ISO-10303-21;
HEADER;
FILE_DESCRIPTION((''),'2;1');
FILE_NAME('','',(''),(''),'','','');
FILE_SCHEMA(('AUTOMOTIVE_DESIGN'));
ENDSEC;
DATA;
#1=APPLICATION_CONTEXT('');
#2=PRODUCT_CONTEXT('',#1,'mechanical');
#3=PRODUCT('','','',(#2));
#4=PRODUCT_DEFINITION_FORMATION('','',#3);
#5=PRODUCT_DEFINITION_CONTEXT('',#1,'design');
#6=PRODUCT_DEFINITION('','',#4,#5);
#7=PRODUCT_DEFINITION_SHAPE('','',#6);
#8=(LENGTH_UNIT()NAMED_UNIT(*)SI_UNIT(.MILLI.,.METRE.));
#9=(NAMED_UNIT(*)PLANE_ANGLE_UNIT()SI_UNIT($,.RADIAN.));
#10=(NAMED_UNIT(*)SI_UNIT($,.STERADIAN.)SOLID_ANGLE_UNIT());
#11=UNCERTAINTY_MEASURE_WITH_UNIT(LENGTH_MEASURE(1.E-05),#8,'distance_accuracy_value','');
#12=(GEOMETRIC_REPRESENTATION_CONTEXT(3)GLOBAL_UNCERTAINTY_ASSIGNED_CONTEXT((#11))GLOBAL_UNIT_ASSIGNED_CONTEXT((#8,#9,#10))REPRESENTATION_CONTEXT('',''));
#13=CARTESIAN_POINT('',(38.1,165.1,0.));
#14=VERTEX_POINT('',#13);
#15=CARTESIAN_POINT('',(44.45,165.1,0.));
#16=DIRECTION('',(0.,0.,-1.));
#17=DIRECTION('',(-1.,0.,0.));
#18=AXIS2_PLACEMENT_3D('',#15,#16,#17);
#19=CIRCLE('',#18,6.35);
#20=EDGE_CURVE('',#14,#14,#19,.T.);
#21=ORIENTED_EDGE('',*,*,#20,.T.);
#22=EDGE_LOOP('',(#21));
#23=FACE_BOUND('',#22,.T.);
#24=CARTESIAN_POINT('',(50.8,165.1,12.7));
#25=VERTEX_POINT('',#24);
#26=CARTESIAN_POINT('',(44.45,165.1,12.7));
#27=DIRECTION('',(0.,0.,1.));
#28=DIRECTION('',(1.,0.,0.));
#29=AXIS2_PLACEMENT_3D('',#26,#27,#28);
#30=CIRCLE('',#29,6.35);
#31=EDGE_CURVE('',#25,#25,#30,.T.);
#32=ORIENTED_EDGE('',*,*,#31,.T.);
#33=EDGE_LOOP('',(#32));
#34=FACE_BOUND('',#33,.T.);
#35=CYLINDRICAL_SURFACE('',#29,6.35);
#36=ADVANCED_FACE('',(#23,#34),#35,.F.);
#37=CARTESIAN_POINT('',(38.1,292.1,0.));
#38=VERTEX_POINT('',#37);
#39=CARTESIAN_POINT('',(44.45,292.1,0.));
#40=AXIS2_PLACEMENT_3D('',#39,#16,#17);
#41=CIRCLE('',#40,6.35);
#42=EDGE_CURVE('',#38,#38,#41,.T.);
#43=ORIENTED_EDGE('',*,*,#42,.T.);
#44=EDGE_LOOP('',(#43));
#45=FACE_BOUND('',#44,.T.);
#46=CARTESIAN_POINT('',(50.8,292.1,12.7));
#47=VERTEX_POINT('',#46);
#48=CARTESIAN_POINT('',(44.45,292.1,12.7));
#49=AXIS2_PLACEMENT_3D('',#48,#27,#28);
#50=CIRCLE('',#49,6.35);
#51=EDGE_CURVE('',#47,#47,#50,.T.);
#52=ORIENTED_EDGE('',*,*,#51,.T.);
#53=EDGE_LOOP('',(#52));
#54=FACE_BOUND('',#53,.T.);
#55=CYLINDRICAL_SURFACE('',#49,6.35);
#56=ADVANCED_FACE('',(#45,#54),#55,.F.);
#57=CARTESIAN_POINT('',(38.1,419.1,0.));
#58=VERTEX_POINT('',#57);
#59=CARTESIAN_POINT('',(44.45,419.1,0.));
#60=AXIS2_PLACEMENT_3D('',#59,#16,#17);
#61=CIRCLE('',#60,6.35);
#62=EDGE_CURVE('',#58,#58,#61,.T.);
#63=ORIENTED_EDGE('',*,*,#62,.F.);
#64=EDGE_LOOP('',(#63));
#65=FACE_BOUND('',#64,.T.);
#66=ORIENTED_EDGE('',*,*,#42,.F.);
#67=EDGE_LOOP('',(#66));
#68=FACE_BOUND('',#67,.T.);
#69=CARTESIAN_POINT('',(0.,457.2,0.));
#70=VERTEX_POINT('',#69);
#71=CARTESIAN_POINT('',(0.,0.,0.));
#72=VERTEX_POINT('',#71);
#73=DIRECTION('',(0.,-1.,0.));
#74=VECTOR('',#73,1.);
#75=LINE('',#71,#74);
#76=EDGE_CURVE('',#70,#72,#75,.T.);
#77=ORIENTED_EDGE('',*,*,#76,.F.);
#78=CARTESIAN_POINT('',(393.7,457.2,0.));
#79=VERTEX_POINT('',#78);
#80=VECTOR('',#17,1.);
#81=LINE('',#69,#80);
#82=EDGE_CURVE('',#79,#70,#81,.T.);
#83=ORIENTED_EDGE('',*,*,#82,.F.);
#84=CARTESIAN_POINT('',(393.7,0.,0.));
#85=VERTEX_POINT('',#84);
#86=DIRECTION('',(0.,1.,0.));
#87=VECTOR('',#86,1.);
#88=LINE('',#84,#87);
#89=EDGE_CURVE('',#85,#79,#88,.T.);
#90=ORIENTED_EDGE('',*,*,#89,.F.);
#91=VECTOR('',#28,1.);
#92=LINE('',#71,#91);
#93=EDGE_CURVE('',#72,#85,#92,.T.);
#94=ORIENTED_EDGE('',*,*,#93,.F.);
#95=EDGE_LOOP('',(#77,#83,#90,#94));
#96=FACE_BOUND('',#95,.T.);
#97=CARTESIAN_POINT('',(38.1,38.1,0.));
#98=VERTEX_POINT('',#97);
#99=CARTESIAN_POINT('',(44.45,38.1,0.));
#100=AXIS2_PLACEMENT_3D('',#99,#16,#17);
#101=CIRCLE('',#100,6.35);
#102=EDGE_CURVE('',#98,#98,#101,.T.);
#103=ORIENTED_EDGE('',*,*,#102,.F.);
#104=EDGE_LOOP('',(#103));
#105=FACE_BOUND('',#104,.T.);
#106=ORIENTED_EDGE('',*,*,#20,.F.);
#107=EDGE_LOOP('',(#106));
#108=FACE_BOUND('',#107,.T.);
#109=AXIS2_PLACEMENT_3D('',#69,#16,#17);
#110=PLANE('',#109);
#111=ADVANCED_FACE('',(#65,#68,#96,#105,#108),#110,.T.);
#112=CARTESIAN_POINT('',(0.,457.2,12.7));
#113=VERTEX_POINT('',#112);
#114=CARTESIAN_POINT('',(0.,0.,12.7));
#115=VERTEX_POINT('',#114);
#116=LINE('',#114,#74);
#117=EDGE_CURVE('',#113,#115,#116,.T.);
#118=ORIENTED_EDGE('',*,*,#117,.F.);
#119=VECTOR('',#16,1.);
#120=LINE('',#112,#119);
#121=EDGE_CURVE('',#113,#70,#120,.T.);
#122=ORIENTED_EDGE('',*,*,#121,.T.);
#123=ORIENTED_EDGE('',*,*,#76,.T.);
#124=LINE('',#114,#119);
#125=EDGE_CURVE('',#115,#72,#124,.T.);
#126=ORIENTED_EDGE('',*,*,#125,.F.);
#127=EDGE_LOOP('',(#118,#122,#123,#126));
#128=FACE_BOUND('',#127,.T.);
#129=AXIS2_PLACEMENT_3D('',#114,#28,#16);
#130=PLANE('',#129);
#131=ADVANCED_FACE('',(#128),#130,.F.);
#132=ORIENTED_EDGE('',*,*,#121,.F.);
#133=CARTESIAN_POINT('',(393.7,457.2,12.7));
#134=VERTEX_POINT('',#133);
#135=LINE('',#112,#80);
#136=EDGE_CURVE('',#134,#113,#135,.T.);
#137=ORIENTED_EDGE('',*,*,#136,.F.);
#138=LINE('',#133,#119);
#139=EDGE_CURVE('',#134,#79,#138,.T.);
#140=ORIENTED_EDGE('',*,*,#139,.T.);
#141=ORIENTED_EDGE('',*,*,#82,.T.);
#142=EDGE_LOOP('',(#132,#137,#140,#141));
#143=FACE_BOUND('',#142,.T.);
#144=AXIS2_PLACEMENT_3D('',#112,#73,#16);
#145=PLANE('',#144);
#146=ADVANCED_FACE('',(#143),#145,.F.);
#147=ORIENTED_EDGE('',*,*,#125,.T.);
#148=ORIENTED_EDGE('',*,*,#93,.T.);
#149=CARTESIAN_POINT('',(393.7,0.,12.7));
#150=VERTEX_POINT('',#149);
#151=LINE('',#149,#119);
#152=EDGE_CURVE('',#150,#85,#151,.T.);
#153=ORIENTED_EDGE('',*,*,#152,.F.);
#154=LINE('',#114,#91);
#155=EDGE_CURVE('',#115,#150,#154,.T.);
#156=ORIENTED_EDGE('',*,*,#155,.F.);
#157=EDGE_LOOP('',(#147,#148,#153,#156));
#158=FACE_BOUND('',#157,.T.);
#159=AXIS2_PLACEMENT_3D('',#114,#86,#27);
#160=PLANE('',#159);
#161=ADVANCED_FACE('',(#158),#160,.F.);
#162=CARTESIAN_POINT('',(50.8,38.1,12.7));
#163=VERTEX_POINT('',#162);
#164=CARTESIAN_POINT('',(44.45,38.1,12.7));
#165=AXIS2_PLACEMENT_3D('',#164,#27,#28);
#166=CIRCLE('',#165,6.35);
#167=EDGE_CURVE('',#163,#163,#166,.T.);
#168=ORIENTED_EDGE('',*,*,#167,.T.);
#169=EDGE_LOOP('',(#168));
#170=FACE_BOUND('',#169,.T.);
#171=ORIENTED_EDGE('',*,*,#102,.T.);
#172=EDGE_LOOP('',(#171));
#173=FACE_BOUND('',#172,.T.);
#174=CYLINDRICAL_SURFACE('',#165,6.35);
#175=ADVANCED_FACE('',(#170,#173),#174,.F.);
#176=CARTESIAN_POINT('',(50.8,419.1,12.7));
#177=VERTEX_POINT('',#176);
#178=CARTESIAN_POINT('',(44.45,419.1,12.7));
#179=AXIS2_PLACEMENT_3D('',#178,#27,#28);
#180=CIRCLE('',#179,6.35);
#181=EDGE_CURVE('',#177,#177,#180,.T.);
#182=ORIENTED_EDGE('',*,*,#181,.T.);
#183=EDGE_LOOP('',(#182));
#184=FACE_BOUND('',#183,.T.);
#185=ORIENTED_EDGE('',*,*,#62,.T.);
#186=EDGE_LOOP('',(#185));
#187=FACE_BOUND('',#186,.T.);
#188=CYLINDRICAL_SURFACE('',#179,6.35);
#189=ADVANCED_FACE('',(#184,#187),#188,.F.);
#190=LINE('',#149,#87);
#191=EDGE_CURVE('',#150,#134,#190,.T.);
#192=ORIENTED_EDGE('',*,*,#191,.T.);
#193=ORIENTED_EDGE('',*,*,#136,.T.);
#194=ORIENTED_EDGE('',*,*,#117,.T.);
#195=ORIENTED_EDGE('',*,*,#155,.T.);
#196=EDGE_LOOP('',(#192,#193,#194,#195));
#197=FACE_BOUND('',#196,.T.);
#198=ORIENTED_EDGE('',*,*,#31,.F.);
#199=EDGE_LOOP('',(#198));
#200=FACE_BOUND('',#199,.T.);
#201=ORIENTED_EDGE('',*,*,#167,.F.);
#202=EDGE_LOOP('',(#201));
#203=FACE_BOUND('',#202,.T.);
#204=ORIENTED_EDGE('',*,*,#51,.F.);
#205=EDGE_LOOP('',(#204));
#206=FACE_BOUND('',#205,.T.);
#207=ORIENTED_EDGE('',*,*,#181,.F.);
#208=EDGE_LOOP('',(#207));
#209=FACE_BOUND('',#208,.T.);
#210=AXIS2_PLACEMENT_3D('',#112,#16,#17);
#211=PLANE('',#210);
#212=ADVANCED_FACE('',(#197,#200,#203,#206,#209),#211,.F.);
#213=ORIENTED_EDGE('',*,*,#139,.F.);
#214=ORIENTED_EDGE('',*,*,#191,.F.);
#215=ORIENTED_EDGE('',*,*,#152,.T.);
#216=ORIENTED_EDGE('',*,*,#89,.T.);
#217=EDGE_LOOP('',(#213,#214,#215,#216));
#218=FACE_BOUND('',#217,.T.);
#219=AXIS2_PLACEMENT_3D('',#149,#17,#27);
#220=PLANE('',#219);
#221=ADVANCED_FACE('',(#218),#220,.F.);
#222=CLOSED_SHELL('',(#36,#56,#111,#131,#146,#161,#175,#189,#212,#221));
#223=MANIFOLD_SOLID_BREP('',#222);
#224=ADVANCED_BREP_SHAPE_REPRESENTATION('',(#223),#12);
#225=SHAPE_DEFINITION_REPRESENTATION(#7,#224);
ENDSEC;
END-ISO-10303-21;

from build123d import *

# Parameters (mm, degrees)
SKETCH1_W                 = 393.7
SKETCH1_H                 = 457.2
PLATE_DEPTH               = 12.7
PATTERN_LINEAR_1110_COUNT = 4
PATTERN_LINEAR_1110_PITCH = 127


with BuildPart() as part:
    # Sketch1 → Plate (new body)
    with BuildSketch(Plane.XY):
        with Locations((196.85, 228.6)):
            Rectangle(SKETCH1_W, SKETCH1_H)
    extrude(amount=PLATE_DEPTH)

    # Sketch3 → Hole (revolve, cut)
    with BuildSketch(Plane(origin=(44.45, 38.1, 12.7), x_dir=(0, -1, 0), z_dir=(1, 0, 0))):
        Polygon((0, 0), (0, 29.215464931), (6.35, 25.4), (6.35, 0), align=None)
    hole = revolve(axis=Axis((44.45, 38.1, 19.05), (0, 0, -1)), mode=Mode.SUBTRACT)

    # Pattern Linear 1110: Hole ×4
    with Locations(*[(0, i * PATTERN_LINEAR_1110_PITCH, 0) for i in range(1, PATTERN_LINEAR_1110_COUNT)]):
        add(hole, mode=Mode.SUBTRACT)


solid = part.part
